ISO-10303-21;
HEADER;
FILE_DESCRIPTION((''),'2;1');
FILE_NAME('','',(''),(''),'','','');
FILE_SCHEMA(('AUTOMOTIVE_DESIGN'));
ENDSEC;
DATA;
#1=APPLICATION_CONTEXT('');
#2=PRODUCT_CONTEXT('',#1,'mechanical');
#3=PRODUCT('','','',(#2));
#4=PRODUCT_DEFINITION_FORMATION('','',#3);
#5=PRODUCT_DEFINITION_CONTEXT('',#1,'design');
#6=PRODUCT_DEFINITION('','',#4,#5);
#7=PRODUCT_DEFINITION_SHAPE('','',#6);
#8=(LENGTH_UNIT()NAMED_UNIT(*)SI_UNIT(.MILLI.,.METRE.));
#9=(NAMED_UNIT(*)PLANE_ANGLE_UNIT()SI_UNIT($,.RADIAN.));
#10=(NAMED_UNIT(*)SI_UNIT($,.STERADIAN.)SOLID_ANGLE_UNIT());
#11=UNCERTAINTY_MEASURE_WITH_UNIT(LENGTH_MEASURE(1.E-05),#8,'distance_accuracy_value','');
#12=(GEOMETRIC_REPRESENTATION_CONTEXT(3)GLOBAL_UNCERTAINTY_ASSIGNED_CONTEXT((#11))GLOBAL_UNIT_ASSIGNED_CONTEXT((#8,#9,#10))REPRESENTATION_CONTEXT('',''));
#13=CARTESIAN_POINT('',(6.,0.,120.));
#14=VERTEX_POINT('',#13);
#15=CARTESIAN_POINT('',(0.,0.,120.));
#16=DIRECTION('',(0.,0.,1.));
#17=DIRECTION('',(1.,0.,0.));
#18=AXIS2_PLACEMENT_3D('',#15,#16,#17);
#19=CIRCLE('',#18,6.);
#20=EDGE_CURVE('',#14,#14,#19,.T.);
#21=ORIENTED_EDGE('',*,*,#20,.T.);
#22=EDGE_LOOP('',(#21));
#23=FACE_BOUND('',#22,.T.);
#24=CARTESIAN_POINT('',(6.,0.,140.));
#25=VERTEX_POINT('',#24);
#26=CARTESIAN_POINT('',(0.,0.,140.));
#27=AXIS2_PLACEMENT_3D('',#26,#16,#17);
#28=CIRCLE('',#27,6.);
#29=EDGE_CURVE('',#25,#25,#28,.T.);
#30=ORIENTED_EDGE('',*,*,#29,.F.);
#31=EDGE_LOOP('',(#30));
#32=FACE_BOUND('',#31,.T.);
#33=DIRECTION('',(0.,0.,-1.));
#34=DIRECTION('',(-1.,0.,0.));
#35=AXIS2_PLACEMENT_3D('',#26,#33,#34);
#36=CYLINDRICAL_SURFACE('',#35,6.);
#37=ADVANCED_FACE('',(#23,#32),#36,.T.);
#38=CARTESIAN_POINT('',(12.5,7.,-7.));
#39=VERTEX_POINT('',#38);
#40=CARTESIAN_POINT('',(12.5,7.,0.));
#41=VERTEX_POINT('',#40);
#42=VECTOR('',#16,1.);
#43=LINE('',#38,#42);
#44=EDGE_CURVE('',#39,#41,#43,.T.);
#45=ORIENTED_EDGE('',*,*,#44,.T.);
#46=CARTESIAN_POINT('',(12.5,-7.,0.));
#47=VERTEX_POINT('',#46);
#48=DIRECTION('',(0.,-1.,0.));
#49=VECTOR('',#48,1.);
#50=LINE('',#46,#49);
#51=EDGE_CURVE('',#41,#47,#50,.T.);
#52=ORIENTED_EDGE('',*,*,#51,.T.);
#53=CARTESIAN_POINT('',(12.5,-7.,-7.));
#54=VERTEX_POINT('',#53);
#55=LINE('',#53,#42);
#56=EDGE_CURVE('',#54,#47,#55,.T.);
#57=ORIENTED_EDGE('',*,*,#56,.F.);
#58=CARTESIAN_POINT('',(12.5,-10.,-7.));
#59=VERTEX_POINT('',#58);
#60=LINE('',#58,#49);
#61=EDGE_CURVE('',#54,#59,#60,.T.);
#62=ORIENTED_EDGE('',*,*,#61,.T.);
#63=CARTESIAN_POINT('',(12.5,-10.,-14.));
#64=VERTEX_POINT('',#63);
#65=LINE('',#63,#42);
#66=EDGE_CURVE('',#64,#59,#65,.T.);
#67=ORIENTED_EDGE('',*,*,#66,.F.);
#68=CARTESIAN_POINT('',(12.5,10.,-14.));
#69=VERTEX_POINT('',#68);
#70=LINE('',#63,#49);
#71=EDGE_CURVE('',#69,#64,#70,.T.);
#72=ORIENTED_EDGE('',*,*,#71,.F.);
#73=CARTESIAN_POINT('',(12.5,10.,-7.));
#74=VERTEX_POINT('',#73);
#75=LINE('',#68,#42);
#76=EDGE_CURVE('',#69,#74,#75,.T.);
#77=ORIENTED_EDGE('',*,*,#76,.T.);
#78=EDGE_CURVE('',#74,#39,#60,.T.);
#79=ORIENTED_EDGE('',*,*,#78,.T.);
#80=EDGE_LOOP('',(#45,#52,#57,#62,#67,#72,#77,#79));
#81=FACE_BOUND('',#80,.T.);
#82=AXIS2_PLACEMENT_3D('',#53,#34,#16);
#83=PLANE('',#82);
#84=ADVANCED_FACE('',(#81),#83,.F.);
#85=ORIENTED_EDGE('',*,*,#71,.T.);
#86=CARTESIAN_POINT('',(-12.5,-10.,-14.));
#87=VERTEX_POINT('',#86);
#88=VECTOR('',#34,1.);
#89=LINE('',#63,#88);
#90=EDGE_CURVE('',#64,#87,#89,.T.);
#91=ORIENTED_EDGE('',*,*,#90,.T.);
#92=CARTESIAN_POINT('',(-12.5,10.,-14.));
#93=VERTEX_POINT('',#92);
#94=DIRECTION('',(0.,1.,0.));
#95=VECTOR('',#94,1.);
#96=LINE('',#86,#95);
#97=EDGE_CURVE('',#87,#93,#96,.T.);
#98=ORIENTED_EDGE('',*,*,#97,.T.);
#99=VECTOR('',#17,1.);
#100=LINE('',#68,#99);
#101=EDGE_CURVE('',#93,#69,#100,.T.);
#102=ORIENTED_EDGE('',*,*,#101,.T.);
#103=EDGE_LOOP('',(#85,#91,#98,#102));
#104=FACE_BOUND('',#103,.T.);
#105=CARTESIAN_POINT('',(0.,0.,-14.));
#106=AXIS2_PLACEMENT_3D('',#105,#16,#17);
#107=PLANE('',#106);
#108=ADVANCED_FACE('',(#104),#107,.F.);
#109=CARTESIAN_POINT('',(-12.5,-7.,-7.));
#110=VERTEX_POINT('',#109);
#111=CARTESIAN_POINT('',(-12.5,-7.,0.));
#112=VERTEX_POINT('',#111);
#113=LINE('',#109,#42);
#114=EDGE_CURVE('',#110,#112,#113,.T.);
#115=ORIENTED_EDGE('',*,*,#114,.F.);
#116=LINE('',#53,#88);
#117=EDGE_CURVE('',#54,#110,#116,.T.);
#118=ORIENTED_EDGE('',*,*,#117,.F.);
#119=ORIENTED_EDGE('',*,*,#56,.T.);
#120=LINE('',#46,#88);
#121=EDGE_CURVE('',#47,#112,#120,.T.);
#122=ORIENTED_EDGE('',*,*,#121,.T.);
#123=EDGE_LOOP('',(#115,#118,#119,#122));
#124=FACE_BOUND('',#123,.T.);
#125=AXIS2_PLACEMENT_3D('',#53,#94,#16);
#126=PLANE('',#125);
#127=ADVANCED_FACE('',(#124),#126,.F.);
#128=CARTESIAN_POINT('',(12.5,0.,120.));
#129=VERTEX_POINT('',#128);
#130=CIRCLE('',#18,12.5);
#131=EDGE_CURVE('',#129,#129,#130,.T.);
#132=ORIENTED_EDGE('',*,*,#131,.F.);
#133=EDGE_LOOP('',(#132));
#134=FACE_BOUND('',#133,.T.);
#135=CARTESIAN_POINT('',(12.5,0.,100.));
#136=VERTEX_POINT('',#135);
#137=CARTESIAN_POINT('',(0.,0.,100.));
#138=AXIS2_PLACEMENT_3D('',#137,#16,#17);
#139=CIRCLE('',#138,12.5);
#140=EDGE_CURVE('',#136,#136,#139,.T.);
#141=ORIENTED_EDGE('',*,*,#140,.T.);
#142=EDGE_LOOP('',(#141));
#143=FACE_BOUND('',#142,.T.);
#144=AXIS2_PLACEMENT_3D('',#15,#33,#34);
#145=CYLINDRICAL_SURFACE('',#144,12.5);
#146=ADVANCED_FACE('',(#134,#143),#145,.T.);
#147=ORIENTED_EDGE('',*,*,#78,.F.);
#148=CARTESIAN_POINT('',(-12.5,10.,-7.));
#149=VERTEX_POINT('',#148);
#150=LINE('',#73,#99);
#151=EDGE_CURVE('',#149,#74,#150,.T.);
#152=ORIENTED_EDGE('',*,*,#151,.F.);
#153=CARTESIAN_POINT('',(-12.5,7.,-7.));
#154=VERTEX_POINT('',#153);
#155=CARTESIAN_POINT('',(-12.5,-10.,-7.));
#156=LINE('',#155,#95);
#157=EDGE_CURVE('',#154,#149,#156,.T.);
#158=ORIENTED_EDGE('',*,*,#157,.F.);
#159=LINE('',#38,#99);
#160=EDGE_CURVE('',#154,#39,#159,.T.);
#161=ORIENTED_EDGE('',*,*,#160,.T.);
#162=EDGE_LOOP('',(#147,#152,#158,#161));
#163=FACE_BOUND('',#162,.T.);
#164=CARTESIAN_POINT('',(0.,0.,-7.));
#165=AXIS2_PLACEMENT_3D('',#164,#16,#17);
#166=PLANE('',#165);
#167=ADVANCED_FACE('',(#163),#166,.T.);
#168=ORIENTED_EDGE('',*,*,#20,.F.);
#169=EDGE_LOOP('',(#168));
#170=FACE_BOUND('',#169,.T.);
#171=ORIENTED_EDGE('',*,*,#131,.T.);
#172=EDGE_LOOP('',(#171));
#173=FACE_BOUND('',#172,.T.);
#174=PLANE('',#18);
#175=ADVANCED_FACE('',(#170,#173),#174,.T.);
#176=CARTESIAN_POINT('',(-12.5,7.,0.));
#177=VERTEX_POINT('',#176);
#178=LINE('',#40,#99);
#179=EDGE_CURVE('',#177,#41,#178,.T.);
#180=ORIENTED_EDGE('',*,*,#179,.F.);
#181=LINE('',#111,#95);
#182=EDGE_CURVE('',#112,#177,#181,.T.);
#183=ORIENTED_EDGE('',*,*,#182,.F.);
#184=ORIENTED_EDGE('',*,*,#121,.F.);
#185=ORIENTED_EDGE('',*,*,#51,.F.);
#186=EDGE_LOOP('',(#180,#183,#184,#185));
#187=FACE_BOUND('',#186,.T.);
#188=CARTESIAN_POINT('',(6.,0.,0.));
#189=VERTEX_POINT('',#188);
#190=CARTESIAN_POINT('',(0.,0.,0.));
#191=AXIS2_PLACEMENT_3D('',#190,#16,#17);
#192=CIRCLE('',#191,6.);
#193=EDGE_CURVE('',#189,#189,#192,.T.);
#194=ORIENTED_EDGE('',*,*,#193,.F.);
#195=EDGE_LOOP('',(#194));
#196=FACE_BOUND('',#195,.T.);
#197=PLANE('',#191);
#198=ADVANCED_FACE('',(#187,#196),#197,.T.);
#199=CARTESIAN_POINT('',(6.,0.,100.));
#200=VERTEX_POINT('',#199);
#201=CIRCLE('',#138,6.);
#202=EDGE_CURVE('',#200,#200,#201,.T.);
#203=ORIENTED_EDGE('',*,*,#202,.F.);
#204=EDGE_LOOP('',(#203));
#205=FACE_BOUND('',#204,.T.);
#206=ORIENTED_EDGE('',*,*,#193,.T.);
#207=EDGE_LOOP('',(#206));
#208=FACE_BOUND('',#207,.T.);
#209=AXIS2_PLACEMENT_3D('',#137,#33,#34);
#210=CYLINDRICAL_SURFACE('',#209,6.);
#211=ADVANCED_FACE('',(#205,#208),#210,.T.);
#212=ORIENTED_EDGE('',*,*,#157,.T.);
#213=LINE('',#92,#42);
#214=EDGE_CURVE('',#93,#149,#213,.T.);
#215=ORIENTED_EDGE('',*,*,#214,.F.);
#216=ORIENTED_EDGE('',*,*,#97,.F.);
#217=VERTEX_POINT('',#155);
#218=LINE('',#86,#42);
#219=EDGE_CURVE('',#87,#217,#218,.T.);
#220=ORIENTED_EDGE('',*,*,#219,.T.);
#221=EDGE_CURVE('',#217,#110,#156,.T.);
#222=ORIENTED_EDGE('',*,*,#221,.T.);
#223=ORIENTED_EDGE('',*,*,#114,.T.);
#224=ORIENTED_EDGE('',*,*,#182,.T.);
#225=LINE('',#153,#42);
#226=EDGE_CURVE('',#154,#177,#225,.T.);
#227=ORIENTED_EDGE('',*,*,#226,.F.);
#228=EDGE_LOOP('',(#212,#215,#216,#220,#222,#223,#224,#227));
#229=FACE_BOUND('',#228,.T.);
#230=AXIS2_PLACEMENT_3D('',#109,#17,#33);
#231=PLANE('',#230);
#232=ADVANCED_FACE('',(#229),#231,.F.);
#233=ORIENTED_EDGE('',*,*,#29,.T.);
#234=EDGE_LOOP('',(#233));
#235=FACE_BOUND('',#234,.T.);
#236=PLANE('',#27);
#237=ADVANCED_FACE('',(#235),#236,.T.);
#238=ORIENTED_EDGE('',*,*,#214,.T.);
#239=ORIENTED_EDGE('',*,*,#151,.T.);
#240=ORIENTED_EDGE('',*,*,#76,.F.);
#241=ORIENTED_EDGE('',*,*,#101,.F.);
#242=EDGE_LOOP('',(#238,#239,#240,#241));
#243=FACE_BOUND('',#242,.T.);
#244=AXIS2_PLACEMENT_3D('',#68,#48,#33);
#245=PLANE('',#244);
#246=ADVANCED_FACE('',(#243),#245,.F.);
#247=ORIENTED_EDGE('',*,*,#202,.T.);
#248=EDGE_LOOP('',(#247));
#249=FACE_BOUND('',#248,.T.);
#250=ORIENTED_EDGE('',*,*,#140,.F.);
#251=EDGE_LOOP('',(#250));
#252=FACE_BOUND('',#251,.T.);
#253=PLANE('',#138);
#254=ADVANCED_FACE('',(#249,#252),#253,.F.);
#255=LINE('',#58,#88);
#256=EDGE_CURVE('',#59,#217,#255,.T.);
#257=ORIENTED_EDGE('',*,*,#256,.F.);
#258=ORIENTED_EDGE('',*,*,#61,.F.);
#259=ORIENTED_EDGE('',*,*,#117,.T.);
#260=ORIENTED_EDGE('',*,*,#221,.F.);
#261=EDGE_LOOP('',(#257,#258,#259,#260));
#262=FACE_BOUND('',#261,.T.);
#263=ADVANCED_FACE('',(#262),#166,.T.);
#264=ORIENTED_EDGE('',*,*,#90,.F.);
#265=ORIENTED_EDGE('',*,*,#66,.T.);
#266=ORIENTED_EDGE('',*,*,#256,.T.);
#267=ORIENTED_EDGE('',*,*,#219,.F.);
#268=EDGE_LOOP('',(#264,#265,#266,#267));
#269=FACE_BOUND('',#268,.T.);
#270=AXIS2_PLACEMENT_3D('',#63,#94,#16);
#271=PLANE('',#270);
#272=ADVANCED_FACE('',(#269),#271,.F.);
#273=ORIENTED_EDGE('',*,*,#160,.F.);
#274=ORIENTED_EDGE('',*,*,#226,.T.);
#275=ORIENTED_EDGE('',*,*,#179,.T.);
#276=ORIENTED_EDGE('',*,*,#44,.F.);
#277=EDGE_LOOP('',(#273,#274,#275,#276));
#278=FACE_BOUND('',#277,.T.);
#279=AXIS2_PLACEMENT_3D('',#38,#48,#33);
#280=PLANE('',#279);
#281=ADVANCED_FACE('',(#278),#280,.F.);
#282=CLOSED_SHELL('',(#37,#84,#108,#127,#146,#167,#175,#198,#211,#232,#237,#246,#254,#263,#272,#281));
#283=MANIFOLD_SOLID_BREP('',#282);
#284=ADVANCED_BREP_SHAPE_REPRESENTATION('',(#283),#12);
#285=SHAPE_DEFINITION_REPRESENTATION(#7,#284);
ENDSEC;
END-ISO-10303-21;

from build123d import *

# Parameters (mm, degrees)
SKETCH1_R           = 6
BOSS_EXTRUDE1_DEPTH = 100
SKETCH2_R           = 12.5
BOSS_EXTRUDE2_DEPTH = 20
SKETCH3_R           = 6
BOSS_EXTRUDE3_DEPTH = 20
SKETCH4_W           = 25
SKETCH4_H           = 14
BOSS_EXTRUDE4_DEPTH = 7
SKETCH5_W           = 25
SKETCH5_H           = 20
BOSS_EXTRUDE5_DEPTH = 7


with BuildPart() as part:
    # Sketch1 → Boss-Extrude1 (new body)
    with BuildSketch(Plane.XY):
        Circle(SKETCH1_R)
    extrude(amount=BOSS_EXTRUDE1_DEPTH)

    # Sketch2 → Boss-Extrude2 (add)
    with BuildSketch(Plane.XY.offset(100)):
        Circle(SKETCH2_R)
    extrude(amount=BOSS_EXTRUDE2_DEPTH)

    # Sketch3 → Boss-Extrude3 (add)
    with BuildSketch(Plane.XY.offset(120)):
        Circle(SKETCH3_R)
    extrude(amount=BOSS_EXTRUDE3_DEPTH)

    # Sketch4 → Boss-Extrude4 (add)
    with BuildSketch(Plane(origin=(0, 0, 0), x_dir=(-1, 0, 0), z_dir=(0, 0, -1))):
        Rectangle(SKETCH4_W, SKETCH4_H)
    extrude(amount=BOSS_EXTRUDE4_DEPTH)

    # Sketch5 → Boss-Extrude5 (add)
    with BuildSketch(Plane(origin=(0, 0, -7), x_dir=(-1, 0, 0), z_dir=(0, 0, -1))):
        Rectangle(SKETCH5_W, SKETCH5_H)
    extrude(amount=BOSS_EXTRUDE5_DEPTH)


solid = part.part
